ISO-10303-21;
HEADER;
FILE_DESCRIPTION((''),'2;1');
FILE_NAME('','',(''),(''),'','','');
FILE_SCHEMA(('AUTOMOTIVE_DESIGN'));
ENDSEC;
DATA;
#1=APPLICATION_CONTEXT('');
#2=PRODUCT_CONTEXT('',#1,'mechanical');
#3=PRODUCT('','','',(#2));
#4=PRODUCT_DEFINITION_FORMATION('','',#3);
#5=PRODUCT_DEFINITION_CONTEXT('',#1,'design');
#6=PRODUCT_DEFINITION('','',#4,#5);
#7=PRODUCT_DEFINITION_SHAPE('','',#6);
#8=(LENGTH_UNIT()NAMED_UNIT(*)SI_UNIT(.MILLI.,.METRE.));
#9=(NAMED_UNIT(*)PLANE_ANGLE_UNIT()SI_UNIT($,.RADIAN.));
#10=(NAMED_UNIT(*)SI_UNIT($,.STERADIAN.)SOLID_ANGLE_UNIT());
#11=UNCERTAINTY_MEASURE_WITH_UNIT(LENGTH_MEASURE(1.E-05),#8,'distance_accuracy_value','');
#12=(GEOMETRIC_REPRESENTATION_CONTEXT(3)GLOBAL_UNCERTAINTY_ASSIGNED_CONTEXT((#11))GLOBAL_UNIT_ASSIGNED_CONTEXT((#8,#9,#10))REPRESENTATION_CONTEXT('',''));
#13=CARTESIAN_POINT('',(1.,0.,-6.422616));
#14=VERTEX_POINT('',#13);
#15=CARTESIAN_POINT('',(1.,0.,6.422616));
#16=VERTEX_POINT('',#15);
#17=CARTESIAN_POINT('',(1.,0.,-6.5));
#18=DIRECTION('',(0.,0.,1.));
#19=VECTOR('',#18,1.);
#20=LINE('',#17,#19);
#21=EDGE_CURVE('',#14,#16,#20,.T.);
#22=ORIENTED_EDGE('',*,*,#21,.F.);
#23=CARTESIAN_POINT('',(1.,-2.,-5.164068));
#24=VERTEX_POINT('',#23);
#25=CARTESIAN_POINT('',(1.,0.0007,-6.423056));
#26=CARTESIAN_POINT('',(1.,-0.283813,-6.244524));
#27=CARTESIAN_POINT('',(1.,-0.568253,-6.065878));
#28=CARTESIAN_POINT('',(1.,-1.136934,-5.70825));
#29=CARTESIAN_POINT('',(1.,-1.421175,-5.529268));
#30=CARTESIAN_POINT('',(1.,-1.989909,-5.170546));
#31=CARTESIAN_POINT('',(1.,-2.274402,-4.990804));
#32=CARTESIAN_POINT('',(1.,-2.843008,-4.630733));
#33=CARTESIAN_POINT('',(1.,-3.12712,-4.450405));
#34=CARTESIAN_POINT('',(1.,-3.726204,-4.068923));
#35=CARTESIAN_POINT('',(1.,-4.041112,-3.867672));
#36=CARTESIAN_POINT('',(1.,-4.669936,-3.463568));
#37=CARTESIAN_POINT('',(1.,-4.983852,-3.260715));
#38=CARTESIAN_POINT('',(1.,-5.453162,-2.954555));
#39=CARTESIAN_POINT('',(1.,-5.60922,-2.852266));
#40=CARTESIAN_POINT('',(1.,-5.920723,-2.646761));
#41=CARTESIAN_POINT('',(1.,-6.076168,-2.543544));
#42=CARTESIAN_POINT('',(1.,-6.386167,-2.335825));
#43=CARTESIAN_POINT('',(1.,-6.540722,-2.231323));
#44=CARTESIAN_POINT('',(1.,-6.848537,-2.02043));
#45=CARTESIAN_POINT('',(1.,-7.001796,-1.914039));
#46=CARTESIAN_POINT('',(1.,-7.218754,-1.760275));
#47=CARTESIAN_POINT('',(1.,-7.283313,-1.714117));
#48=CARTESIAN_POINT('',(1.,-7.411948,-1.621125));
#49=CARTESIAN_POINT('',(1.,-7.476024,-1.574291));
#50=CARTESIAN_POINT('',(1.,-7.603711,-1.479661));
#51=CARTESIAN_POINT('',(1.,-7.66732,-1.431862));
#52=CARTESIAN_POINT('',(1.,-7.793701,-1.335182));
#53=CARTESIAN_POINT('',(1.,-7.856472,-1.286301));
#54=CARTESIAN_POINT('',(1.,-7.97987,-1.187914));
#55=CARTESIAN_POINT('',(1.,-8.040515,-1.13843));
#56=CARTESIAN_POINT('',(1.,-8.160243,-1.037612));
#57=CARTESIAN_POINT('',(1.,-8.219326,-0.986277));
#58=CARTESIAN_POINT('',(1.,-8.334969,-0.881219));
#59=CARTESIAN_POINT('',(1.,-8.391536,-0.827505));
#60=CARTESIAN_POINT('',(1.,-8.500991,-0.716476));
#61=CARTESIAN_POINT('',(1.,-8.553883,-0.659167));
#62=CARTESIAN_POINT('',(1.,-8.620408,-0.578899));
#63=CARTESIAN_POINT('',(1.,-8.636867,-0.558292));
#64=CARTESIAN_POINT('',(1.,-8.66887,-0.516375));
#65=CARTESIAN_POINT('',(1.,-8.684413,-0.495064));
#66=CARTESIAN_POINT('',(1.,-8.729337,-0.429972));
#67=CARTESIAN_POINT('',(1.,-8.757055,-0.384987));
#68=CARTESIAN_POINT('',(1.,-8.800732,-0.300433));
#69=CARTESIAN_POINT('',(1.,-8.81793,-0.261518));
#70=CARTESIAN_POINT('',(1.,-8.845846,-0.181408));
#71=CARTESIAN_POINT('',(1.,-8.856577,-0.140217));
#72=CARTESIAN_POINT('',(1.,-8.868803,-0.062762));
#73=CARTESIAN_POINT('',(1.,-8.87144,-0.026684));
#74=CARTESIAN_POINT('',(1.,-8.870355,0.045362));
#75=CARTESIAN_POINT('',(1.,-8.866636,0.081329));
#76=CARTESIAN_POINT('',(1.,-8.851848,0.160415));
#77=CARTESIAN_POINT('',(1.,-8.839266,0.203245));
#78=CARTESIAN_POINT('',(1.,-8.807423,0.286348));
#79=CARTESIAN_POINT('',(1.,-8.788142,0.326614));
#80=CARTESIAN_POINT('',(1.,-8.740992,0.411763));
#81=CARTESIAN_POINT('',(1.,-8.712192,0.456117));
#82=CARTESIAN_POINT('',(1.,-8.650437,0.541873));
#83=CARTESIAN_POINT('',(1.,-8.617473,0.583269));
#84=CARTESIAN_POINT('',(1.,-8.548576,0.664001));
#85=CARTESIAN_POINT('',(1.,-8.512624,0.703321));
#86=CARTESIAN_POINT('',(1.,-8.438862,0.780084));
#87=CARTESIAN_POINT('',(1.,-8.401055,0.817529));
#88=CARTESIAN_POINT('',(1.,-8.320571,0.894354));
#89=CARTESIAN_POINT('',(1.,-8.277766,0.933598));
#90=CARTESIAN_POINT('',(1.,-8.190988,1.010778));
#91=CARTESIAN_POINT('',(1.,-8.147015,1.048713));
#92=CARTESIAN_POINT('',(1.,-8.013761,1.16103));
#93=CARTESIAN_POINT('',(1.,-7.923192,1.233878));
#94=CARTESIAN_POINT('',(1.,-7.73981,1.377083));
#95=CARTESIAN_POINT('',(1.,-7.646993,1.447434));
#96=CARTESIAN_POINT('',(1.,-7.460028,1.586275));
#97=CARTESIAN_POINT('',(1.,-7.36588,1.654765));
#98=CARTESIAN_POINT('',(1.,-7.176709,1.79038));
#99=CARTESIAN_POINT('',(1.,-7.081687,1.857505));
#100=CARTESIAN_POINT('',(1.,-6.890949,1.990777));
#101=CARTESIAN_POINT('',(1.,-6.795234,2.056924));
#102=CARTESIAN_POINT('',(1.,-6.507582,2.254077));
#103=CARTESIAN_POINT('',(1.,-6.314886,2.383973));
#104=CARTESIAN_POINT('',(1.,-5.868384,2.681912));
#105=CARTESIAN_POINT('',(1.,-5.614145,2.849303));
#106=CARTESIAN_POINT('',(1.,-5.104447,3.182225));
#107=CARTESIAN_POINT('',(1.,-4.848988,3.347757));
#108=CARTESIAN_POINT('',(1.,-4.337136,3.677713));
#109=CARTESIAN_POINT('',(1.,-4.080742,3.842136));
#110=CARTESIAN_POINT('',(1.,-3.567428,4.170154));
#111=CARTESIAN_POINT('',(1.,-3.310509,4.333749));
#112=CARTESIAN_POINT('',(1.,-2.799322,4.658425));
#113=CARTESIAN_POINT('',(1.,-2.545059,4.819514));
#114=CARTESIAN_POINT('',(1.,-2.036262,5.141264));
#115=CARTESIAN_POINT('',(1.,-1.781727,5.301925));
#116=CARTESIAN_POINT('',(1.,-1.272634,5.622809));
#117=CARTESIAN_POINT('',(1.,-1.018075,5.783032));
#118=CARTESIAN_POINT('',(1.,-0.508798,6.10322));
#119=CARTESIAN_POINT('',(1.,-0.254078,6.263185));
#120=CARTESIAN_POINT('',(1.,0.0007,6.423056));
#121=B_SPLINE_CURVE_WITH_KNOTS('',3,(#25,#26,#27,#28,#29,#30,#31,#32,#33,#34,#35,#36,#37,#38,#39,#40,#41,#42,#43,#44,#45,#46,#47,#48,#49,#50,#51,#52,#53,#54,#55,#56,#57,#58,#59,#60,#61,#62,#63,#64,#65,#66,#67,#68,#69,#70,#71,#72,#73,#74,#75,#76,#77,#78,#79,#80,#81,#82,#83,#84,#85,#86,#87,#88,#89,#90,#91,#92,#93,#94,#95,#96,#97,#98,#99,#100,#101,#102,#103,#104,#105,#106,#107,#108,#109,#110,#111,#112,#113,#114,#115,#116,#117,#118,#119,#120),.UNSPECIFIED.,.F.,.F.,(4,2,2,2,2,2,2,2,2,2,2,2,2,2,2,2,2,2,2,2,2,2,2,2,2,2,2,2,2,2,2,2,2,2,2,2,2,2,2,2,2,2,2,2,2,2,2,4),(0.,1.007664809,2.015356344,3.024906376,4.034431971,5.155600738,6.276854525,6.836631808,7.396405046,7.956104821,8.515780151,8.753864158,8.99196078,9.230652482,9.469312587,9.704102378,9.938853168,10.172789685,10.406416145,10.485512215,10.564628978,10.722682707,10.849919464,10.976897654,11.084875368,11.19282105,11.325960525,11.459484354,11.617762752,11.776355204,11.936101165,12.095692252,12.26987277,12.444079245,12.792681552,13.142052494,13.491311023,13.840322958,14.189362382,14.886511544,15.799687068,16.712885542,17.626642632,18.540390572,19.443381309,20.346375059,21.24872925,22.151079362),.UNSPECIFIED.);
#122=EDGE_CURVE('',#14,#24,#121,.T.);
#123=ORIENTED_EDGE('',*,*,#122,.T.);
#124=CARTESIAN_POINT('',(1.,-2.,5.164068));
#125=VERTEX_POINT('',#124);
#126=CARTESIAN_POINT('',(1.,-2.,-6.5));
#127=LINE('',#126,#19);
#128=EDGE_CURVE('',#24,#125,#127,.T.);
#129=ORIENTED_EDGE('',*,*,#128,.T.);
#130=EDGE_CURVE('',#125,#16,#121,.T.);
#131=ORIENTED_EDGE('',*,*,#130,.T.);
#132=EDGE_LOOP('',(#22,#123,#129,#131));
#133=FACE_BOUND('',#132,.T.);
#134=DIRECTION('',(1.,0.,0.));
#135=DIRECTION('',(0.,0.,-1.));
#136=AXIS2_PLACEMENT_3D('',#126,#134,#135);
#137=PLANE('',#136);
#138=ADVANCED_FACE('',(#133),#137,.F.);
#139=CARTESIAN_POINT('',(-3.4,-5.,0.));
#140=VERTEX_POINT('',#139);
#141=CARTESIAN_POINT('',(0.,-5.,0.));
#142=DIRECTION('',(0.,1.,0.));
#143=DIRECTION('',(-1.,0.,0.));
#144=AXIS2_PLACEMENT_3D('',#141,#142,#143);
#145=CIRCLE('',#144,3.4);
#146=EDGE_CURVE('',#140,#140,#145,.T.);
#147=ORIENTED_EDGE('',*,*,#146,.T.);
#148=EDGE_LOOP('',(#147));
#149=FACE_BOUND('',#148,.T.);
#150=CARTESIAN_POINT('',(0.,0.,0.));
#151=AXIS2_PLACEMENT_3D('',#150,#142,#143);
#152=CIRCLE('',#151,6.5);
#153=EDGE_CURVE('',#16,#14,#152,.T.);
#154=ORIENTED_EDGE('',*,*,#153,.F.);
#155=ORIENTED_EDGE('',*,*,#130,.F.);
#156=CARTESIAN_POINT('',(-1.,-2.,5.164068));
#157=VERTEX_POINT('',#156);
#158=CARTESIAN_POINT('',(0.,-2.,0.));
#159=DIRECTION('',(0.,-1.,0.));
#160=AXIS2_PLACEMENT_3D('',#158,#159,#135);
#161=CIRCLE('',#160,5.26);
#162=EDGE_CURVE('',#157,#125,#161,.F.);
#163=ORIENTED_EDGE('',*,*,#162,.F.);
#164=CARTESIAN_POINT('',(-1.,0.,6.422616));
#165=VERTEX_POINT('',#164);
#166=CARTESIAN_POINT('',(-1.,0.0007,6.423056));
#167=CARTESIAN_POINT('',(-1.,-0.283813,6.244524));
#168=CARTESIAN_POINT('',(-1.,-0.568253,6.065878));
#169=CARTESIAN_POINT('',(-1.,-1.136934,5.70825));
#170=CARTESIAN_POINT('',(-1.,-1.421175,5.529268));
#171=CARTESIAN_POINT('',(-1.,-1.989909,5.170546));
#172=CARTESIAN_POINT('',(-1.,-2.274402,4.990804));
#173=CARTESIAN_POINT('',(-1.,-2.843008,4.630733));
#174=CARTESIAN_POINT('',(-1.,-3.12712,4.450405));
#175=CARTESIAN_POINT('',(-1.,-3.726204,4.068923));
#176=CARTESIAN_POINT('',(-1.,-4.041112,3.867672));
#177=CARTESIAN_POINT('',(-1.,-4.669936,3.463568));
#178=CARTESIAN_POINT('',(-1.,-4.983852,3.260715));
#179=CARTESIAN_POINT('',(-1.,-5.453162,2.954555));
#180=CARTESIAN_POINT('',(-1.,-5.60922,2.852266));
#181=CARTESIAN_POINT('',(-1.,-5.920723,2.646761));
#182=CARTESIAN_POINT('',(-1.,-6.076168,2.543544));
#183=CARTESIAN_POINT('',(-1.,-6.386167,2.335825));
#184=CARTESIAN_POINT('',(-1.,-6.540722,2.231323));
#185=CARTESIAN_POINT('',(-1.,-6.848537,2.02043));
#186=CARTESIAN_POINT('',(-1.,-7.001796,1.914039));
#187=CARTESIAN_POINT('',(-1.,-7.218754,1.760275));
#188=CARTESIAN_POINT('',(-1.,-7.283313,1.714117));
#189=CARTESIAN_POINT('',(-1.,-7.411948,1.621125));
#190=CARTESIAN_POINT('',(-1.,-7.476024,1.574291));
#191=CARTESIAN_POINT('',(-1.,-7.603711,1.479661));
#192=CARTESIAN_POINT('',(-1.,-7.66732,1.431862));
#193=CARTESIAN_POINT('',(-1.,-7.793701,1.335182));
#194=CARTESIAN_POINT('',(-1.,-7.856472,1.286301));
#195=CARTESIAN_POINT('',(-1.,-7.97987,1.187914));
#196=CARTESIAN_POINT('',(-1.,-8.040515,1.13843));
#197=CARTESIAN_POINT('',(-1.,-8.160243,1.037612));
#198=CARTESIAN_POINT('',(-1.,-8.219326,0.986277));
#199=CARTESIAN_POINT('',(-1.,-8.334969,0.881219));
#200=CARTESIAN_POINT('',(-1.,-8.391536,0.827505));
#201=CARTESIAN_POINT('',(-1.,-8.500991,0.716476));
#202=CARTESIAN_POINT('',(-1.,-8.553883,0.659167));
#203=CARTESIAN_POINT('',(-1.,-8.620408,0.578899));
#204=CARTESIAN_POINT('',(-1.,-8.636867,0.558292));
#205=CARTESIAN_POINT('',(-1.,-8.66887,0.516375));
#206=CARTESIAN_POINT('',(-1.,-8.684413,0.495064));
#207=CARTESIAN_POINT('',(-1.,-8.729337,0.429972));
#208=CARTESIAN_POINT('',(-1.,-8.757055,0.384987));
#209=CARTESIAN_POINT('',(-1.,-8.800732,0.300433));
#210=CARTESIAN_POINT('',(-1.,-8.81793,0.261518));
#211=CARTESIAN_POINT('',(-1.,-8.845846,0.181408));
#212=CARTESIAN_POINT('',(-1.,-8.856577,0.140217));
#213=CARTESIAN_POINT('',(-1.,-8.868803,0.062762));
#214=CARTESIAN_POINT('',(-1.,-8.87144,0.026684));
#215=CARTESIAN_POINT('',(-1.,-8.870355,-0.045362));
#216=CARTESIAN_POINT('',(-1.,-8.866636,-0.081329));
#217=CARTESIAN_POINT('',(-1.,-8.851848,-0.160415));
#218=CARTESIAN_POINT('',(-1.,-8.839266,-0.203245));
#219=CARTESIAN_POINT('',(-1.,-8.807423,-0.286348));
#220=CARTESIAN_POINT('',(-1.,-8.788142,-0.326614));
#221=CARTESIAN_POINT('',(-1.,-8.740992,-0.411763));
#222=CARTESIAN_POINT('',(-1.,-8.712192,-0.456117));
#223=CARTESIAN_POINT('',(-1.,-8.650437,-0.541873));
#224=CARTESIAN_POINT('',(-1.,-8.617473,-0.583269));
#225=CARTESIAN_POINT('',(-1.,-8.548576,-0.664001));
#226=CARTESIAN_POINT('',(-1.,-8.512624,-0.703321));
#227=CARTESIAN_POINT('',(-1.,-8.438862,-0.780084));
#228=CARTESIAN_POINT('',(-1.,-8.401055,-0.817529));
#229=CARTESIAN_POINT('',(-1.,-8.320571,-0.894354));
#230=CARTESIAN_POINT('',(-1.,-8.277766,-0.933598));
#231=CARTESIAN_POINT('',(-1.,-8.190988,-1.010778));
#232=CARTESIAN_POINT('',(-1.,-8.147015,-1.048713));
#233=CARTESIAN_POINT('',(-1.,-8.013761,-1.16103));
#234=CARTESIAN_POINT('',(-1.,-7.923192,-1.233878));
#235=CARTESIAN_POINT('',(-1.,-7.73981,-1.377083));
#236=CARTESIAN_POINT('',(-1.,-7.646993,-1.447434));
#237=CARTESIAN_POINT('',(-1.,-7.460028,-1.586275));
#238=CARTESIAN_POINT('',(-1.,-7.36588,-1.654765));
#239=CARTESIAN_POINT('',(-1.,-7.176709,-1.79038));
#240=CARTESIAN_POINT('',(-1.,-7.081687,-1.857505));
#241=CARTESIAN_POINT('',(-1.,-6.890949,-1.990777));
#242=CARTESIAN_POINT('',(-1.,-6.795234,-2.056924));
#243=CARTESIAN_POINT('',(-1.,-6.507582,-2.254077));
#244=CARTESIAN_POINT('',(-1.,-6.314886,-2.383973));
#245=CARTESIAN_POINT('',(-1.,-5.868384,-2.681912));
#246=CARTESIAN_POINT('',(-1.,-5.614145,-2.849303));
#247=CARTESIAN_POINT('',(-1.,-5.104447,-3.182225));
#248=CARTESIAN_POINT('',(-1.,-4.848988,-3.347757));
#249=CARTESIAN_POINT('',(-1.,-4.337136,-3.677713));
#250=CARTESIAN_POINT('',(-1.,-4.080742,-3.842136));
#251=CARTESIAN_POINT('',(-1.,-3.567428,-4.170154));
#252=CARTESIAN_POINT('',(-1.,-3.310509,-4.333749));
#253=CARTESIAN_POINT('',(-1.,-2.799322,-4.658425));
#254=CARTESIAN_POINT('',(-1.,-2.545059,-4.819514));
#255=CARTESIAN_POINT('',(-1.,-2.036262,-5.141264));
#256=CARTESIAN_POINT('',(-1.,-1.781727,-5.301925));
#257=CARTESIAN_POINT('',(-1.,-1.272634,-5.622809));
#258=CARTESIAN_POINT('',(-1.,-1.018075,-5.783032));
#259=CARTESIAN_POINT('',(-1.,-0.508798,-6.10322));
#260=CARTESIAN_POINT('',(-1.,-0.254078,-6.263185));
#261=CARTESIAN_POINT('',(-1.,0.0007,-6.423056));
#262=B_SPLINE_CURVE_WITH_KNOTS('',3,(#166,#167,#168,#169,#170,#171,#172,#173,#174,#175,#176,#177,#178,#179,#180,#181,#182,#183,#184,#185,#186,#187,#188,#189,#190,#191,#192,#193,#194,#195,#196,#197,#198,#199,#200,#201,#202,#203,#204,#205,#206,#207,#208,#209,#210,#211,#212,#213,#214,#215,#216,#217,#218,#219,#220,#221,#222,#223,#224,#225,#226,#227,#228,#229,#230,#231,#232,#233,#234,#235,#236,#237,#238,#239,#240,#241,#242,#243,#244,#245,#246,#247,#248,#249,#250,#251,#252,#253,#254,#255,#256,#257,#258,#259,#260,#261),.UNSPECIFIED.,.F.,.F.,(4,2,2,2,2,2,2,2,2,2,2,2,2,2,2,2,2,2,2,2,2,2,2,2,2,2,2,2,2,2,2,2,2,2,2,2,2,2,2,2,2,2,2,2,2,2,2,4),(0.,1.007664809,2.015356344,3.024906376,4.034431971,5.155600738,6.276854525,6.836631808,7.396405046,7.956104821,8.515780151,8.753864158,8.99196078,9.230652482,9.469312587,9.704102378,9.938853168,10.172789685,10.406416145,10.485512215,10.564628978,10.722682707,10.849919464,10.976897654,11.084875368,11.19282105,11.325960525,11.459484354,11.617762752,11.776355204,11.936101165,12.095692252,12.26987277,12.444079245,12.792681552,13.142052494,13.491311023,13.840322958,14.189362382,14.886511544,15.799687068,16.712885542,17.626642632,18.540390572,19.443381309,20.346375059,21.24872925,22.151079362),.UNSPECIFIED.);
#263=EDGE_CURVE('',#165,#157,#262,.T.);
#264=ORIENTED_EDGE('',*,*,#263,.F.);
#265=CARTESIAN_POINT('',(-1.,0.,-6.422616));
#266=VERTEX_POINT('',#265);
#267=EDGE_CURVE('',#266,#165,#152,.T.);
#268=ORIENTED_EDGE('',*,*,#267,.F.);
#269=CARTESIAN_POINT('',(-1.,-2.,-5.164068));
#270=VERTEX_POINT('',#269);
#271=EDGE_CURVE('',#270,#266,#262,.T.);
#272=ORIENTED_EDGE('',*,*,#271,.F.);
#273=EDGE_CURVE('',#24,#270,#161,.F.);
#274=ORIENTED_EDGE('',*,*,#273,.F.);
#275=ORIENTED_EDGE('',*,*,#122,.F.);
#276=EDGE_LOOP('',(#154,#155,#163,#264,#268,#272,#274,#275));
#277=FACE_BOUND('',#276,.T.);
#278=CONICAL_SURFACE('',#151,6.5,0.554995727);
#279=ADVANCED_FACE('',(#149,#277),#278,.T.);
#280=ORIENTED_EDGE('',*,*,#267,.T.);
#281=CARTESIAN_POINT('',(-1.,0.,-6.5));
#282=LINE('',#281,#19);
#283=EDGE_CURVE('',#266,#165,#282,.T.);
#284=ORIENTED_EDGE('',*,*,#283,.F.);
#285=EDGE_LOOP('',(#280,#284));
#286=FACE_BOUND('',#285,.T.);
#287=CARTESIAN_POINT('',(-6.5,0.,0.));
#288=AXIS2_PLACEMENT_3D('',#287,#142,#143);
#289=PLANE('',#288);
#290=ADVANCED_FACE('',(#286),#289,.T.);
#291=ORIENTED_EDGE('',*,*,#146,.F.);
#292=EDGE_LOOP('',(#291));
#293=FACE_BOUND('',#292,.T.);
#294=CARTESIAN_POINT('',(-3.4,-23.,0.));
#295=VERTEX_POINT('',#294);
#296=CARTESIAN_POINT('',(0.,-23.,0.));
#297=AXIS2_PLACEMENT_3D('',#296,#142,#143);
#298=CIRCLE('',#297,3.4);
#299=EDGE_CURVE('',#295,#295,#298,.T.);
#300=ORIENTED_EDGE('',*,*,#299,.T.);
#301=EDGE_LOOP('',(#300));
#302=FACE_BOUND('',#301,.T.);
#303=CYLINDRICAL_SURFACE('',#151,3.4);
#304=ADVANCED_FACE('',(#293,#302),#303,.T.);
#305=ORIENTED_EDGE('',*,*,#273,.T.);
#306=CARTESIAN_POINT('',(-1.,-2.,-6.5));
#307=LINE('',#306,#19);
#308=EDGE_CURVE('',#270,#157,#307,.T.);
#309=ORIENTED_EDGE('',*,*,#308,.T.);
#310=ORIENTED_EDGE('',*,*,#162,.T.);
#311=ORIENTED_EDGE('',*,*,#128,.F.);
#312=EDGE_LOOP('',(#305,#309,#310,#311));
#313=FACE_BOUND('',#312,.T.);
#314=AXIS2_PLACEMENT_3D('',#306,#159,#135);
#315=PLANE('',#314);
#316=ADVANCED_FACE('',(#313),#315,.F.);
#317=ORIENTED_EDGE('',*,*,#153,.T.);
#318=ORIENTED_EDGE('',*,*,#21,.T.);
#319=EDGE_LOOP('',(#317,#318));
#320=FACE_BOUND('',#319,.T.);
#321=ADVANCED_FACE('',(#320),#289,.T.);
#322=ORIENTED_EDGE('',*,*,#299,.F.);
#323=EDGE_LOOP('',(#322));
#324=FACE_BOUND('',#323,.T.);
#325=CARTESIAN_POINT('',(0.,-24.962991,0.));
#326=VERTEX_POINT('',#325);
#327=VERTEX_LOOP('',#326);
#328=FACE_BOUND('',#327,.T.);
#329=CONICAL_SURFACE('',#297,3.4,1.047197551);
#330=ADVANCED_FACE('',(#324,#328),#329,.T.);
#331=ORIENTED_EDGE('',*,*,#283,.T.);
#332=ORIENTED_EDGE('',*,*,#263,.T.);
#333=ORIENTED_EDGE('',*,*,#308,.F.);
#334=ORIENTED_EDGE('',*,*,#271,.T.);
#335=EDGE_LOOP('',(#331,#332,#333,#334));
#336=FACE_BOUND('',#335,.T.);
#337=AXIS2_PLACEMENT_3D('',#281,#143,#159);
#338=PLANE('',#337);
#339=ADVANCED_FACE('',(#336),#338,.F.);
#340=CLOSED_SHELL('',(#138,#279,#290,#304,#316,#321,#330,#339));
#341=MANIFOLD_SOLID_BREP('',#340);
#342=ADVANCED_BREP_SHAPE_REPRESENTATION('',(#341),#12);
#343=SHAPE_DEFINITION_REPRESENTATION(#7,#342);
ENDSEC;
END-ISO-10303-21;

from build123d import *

# Parameters (mm, degrees)
CUT_EXTRUDE1_DEPTH      = 27.601708882
CUT_EXTRUDE1_DEPTH_BACK = 27.601708882
SKETCH2_W               = 2
SKETCH2_H               = 2


with BuildPart() as part:
    # Sketch1 → Revolve1 (revolve)
    with BuildSketch(Plane.XY):
        Polygon((-6.5, 0), (-3.4, -5), (-3.4, -23), (0, -24.962990915), (0, 0), align=None)
    revolve(axis=Axis((0, 0, 0), (0, -1, 0)))

    # Sketch2 → Cut-Extrude1 (cut, two sides: drawn at the far end of the back side and taken through both)
    with BuildSketch(Plane.XY.offset(-CUT_EXTRUDE1_DEPTH_BACK)):
        with Locations((0, -1)):
            Rectangle(SKETCH2_W, SKETCH2_H)
    extrude(amount=CUT_EXTRUDE1_DEPTH + CUT_EXTRUDE1_DEPTH_BACK, mode=Mode.SUBTRACT)


solid = part.part
